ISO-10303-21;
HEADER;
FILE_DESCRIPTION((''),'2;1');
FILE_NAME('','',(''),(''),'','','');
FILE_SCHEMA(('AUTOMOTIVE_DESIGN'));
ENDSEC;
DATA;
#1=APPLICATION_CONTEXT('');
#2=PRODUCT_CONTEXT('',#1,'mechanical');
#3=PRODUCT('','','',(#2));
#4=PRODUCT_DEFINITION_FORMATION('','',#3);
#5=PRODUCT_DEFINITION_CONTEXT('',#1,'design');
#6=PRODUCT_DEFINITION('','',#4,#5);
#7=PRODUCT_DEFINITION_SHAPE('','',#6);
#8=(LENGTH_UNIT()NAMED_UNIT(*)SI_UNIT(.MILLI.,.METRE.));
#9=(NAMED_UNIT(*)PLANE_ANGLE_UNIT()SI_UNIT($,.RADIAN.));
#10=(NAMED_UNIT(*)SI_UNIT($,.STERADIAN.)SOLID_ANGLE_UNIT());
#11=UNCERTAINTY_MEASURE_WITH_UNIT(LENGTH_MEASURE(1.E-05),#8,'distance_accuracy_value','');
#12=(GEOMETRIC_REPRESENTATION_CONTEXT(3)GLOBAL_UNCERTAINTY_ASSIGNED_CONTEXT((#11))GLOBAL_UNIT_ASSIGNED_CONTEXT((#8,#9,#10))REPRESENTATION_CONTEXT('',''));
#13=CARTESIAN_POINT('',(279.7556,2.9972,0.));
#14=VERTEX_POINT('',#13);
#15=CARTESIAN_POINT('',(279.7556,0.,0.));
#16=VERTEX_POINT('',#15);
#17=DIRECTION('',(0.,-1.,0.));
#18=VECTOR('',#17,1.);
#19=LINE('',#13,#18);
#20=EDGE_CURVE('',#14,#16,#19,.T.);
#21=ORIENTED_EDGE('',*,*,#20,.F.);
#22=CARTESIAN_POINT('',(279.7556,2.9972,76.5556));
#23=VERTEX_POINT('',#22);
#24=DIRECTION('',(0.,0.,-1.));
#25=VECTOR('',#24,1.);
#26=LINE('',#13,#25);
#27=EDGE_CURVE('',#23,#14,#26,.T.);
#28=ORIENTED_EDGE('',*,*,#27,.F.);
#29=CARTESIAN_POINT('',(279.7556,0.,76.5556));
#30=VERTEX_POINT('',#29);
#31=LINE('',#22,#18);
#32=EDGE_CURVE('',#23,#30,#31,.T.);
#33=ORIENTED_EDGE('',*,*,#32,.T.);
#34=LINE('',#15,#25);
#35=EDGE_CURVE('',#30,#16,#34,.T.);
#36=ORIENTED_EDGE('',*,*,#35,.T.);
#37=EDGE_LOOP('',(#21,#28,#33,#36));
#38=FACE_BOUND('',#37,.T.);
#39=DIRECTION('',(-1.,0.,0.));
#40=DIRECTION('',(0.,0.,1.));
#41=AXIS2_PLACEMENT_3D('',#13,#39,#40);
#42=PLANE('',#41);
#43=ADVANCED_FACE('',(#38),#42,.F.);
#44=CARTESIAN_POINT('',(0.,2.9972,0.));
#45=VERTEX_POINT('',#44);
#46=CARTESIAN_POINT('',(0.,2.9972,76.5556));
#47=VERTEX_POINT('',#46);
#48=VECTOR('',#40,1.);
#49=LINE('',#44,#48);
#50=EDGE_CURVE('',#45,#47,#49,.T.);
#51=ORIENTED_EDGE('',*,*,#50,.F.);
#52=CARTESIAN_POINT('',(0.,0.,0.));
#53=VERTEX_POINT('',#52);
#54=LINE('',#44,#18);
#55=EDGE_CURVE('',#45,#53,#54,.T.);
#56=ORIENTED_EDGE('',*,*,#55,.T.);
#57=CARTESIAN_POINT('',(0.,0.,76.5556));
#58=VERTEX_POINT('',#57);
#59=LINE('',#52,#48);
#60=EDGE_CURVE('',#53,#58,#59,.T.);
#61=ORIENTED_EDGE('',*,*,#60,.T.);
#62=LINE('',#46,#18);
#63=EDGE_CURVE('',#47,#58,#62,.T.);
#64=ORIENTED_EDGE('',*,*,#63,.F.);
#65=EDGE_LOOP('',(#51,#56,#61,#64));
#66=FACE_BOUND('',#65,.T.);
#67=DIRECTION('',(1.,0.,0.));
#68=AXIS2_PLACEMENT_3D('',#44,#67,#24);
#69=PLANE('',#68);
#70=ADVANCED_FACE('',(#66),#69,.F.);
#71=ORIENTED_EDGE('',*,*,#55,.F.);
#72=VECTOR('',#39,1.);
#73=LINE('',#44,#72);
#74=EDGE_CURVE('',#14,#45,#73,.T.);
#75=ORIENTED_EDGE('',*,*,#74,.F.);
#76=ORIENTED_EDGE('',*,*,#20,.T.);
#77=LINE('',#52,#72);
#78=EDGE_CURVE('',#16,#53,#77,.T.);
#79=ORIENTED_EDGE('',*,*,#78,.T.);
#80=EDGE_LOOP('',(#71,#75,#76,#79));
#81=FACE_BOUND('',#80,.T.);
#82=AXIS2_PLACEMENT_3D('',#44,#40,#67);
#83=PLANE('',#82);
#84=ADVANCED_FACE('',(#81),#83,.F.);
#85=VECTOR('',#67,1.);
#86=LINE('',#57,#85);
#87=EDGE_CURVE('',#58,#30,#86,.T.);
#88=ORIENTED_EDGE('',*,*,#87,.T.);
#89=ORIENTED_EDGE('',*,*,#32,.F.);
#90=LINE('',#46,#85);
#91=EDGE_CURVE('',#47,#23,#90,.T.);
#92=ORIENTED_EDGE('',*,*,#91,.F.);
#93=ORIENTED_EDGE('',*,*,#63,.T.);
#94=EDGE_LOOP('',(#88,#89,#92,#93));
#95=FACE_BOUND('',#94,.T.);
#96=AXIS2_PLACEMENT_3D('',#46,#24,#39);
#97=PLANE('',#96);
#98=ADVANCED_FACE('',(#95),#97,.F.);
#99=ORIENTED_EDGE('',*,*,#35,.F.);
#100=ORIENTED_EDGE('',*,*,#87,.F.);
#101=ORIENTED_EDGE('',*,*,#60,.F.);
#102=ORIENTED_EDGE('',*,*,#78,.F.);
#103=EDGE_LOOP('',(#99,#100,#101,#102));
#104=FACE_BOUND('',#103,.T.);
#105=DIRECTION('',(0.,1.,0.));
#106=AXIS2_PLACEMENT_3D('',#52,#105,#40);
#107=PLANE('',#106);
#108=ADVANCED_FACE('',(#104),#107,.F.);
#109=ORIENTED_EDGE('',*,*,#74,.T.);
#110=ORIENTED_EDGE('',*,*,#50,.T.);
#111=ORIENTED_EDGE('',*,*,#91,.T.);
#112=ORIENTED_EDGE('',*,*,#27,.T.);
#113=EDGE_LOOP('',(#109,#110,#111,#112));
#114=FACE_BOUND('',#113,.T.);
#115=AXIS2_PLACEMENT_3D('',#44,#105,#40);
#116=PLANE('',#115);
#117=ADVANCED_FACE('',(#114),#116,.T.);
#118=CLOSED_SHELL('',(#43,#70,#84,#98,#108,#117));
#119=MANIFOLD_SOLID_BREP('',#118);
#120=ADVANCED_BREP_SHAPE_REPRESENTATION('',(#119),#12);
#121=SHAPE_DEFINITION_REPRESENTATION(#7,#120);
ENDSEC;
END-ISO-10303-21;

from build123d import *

# Parameters (mm, degrees)
SKETCH1_W           = 279.7556
SKETCH1_H           = 76.5556
BOSS_EXTRUDE1_DEPTH = 2.9972


with BuildPart() as part:
    # Sketch1 → Boss-Extrude1 (new body)
    with BuildSketch(Plane(origin=(0, 0, 0), x_dir=(1, 0, 0), z_dir=(0, 1, 0))):
        with Locations((139.8778, -38.2778)):
            Rectangle(SKETCH1_W, SKETCH1_H)
    extrude(amount=BOSS_EXTRUDE1_DEPTH)


solid = part.part
